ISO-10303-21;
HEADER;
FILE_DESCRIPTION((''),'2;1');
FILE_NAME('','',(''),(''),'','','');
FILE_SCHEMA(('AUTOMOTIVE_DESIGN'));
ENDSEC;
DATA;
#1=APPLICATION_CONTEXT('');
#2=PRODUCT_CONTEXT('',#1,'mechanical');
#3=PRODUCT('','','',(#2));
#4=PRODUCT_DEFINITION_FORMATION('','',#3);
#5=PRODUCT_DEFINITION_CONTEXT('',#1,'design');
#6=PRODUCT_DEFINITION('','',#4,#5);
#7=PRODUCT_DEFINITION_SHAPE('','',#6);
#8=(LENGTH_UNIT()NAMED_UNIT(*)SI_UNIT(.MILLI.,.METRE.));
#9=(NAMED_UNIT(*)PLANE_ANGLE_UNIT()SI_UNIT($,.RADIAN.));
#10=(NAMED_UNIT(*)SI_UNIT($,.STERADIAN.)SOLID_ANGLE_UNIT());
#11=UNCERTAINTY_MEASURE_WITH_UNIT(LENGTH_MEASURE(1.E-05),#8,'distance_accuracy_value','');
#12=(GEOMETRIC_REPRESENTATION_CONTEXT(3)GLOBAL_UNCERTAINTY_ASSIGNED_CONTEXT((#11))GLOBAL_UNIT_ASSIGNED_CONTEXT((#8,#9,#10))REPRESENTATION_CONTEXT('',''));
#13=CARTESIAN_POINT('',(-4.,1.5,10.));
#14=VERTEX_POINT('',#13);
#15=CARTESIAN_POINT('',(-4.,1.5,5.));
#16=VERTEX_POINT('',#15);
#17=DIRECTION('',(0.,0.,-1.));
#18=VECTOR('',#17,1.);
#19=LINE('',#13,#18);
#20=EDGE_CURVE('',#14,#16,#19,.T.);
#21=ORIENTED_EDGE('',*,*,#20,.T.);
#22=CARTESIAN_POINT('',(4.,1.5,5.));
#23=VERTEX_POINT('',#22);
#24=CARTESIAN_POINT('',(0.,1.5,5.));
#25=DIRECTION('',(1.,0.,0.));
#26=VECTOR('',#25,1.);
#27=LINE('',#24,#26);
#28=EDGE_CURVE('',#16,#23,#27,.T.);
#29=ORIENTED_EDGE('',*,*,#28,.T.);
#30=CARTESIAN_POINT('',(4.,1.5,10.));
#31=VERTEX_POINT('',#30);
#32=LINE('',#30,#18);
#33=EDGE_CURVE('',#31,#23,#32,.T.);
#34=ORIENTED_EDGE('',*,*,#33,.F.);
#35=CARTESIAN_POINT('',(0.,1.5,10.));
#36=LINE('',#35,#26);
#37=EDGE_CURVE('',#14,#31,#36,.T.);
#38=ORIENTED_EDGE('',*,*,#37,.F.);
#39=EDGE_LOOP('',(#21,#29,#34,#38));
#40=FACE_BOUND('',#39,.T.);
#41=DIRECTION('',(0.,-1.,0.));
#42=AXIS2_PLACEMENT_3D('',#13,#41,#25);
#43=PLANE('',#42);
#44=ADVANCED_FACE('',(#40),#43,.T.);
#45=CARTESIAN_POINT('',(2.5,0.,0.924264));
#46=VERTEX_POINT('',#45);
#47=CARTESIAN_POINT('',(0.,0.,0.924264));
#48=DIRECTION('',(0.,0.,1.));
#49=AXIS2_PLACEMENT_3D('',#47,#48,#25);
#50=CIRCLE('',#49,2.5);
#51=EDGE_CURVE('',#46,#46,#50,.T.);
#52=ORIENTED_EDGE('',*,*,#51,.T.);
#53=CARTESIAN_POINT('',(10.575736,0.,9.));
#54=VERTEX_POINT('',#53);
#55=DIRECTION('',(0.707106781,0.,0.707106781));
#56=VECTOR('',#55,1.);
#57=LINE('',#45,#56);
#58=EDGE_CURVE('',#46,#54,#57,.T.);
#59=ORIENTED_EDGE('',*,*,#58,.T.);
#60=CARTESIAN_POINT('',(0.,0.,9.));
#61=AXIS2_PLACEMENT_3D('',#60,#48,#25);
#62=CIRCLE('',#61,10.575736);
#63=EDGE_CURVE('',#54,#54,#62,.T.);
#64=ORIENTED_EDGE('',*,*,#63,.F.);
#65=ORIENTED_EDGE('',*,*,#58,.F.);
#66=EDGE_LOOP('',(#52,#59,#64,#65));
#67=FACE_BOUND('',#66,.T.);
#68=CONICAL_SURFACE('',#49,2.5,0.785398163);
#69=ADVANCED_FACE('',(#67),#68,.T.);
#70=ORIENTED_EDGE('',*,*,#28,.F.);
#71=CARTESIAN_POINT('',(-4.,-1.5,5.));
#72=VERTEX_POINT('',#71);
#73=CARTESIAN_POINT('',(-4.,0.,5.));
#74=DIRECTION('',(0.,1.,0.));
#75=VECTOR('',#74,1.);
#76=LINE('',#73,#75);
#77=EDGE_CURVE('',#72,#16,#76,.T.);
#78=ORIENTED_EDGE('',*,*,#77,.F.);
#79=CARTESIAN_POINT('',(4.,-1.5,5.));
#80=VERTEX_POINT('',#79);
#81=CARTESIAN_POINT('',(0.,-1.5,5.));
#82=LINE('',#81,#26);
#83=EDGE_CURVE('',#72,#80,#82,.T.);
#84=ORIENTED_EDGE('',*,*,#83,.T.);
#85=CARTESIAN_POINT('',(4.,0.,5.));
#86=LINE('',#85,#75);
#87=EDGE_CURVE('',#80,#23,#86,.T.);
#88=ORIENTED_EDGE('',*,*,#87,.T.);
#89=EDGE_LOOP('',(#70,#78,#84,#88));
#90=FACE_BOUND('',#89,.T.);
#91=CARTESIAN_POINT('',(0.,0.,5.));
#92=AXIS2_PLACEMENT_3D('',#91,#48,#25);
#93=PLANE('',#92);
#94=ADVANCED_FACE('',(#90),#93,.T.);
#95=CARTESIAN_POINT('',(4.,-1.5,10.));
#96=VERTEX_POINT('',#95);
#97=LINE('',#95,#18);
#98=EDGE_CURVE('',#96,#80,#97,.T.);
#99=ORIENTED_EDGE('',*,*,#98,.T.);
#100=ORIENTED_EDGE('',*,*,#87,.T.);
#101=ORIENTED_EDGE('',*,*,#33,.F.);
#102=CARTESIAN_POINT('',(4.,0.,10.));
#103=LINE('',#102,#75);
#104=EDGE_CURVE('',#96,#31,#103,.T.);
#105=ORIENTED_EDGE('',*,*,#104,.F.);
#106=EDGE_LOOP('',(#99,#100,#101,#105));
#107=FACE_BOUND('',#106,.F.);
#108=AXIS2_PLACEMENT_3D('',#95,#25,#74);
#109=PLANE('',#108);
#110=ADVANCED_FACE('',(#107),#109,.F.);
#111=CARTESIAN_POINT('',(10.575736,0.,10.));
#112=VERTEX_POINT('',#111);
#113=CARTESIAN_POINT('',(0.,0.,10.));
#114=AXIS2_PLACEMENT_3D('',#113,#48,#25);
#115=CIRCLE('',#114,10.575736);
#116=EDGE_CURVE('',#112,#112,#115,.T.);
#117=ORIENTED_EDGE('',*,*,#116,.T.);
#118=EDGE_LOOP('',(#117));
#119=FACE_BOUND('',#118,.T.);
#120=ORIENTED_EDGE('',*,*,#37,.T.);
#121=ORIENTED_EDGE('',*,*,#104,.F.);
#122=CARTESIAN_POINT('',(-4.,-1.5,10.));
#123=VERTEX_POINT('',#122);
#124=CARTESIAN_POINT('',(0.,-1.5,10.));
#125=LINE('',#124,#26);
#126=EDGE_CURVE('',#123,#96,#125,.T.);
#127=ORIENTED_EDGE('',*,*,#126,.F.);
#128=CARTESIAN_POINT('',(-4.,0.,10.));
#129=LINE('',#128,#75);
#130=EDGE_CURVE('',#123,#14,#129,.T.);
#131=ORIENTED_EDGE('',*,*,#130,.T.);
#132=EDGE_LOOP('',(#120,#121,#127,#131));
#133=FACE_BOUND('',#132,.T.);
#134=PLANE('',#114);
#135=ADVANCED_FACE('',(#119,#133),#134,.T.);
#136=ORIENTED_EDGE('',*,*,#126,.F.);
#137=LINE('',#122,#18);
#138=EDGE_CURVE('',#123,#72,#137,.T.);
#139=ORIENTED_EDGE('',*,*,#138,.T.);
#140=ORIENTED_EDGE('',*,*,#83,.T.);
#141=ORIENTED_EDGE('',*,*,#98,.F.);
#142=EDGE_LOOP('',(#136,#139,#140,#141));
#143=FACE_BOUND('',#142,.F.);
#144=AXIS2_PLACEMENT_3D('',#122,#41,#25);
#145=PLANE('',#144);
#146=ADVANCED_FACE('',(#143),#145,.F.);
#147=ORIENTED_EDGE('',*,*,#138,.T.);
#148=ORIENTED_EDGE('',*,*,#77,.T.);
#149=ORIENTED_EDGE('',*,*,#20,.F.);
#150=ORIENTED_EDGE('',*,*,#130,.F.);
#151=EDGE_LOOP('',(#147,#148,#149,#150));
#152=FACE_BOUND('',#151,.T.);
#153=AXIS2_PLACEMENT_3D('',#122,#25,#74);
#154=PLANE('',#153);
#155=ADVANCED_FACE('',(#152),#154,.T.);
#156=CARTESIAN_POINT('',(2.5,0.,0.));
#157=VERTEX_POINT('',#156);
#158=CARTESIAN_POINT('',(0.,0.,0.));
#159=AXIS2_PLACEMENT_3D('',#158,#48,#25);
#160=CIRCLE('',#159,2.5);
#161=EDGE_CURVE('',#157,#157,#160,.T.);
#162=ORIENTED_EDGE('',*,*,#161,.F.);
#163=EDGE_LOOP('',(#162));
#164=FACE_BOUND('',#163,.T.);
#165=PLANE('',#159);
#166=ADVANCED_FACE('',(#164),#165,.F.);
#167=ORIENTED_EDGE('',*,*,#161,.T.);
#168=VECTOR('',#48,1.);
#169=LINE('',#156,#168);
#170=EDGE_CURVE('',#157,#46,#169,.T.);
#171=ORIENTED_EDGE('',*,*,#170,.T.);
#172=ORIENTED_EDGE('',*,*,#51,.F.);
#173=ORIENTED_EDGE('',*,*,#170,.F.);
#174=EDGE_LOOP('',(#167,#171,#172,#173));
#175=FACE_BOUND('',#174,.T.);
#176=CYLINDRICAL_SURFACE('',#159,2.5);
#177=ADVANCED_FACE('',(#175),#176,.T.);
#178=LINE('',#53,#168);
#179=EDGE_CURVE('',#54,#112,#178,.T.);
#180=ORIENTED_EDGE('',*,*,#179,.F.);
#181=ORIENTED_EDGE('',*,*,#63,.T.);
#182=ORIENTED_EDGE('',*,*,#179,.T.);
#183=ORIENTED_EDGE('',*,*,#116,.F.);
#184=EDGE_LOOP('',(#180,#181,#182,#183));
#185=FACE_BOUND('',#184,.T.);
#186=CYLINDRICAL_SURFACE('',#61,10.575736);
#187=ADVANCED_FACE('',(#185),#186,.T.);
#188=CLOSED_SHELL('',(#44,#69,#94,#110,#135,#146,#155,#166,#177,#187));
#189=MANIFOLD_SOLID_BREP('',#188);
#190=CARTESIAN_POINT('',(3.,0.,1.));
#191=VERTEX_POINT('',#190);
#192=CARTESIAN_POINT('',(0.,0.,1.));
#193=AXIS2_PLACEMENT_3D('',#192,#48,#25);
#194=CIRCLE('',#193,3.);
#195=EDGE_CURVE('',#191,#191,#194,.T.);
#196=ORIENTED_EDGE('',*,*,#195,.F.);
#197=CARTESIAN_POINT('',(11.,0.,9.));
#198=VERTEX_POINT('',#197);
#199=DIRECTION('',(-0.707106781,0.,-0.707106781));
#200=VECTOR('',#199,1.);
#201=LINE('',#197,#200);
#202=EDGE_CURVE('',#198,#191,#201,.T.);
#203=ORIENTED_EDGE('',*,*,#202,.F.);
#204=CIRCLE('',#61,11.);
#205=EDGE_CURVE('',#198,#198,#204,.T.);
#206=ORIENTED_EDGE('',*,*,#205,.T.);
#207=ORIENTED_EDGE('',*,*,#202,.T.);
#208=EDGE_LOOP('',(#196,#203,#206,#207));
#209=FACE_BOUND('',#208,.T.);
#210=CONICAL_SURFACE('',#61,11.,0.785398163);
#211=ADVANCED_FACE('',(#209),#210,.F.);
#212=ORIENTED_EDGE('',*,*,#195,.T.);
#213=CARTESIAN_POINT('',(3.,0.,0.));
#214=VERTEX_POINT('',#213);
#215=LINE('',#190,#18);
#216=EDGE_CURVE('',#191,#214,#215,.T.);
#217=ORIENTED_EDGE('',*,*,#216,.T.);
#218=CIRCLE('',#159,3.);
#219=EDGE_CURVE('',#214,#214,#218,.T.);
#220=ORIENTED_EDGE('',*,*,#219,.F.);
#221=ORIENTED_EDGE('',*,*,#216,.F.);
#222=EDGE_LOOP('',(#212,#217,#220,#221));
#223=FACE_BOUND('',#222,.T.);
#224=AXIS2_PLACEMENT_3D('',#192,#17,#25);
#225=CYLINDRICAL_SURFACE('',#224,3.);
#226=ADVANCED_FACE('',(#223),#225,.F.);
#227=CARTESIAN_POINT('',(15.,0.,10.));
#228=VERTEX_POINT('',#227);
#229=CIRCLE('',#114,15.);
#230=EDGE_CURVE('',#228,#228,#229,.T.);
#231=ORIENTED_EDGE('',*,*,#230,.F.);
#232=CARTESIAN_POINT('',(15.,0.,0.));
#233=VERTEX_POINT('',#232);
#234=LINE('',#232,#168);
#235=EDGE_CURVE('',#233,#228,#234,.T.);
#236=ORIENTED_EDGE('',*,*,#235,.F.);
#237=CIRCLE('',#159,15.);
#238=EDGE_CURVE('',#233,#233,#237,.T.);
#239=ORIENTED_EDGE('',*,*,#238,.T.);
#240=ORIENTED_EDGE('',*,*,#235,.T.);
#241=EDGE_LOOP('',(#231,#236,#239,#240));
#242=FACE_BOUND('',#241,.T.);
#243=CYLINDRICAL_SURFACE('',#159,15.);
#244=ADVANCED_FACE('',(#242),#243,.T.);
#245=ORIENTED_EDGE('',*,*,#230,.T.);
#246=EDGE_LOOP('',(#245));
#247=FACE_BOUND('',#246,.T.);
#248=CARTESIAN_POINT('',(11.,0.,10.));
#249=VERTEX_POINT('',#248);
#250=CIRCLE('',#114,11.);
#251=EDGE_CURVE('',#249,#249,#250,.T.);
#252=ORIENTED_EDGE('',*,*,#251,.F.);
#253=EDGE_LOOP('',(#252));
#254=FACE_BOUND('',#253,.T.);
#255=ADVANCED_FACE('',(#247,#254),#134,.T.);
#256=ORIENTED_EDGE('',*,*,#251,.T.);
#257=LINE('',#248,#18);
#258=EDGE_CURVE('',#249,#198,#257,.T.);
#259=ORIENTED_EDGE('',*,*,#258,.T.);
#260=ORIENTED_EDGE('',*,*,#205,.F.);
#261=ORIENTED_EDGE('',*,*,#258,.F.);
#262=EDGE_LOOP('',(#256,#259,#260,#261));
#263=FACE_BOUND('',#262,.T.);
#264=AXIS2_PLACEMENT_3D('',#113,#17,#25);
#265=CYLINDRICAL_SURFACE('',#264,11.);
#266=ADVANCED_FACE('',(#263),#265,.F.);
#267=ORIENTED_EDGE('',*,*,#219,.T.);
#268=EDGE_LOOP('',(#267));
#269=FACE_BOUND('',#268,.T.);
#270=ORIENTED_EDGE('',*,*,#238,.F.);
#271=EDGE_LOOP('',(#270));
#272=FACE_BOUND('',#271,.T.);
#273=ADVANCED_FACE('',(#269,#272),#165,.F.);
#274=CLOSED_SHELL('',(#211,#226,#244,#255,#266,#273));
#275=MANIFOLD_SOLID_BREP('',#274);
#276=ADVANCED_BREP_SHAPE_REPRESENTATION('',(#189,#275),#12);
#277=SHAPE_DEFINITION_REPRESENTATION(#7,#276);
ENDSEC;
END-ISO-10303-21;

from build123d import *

# Parameters (mm, degrees)
F2_W     = 8
F2_H     = 3
F3_DEPTH = 5


with BuildPart() as f1:
    # F0 (on Front) → F1 (revolve)
    with BuildSketch(Plane.XZ):
        Polygon((0, 10), (0, 0), (2.5, 0), (2.5, 0.924264), (10.575736, 9), (10.575736, 10), align=None)
        Polygon((3, 1), (3, 0), (15, 0), (15, 10), (11, 10), (11, 9), align=None)
    revolve(axis=Axis((0, 0, 5), (0, 0, 1)))

    # F2 (on face) → F3 (cut)
    with BuildSketch(Plane.XY.offset(10)):
        Rectangle(F2_W, F2_H)
    extrude(amount=-F3_DEPTH, mode=Mode.SUBTRACT)


solid = f1.part
